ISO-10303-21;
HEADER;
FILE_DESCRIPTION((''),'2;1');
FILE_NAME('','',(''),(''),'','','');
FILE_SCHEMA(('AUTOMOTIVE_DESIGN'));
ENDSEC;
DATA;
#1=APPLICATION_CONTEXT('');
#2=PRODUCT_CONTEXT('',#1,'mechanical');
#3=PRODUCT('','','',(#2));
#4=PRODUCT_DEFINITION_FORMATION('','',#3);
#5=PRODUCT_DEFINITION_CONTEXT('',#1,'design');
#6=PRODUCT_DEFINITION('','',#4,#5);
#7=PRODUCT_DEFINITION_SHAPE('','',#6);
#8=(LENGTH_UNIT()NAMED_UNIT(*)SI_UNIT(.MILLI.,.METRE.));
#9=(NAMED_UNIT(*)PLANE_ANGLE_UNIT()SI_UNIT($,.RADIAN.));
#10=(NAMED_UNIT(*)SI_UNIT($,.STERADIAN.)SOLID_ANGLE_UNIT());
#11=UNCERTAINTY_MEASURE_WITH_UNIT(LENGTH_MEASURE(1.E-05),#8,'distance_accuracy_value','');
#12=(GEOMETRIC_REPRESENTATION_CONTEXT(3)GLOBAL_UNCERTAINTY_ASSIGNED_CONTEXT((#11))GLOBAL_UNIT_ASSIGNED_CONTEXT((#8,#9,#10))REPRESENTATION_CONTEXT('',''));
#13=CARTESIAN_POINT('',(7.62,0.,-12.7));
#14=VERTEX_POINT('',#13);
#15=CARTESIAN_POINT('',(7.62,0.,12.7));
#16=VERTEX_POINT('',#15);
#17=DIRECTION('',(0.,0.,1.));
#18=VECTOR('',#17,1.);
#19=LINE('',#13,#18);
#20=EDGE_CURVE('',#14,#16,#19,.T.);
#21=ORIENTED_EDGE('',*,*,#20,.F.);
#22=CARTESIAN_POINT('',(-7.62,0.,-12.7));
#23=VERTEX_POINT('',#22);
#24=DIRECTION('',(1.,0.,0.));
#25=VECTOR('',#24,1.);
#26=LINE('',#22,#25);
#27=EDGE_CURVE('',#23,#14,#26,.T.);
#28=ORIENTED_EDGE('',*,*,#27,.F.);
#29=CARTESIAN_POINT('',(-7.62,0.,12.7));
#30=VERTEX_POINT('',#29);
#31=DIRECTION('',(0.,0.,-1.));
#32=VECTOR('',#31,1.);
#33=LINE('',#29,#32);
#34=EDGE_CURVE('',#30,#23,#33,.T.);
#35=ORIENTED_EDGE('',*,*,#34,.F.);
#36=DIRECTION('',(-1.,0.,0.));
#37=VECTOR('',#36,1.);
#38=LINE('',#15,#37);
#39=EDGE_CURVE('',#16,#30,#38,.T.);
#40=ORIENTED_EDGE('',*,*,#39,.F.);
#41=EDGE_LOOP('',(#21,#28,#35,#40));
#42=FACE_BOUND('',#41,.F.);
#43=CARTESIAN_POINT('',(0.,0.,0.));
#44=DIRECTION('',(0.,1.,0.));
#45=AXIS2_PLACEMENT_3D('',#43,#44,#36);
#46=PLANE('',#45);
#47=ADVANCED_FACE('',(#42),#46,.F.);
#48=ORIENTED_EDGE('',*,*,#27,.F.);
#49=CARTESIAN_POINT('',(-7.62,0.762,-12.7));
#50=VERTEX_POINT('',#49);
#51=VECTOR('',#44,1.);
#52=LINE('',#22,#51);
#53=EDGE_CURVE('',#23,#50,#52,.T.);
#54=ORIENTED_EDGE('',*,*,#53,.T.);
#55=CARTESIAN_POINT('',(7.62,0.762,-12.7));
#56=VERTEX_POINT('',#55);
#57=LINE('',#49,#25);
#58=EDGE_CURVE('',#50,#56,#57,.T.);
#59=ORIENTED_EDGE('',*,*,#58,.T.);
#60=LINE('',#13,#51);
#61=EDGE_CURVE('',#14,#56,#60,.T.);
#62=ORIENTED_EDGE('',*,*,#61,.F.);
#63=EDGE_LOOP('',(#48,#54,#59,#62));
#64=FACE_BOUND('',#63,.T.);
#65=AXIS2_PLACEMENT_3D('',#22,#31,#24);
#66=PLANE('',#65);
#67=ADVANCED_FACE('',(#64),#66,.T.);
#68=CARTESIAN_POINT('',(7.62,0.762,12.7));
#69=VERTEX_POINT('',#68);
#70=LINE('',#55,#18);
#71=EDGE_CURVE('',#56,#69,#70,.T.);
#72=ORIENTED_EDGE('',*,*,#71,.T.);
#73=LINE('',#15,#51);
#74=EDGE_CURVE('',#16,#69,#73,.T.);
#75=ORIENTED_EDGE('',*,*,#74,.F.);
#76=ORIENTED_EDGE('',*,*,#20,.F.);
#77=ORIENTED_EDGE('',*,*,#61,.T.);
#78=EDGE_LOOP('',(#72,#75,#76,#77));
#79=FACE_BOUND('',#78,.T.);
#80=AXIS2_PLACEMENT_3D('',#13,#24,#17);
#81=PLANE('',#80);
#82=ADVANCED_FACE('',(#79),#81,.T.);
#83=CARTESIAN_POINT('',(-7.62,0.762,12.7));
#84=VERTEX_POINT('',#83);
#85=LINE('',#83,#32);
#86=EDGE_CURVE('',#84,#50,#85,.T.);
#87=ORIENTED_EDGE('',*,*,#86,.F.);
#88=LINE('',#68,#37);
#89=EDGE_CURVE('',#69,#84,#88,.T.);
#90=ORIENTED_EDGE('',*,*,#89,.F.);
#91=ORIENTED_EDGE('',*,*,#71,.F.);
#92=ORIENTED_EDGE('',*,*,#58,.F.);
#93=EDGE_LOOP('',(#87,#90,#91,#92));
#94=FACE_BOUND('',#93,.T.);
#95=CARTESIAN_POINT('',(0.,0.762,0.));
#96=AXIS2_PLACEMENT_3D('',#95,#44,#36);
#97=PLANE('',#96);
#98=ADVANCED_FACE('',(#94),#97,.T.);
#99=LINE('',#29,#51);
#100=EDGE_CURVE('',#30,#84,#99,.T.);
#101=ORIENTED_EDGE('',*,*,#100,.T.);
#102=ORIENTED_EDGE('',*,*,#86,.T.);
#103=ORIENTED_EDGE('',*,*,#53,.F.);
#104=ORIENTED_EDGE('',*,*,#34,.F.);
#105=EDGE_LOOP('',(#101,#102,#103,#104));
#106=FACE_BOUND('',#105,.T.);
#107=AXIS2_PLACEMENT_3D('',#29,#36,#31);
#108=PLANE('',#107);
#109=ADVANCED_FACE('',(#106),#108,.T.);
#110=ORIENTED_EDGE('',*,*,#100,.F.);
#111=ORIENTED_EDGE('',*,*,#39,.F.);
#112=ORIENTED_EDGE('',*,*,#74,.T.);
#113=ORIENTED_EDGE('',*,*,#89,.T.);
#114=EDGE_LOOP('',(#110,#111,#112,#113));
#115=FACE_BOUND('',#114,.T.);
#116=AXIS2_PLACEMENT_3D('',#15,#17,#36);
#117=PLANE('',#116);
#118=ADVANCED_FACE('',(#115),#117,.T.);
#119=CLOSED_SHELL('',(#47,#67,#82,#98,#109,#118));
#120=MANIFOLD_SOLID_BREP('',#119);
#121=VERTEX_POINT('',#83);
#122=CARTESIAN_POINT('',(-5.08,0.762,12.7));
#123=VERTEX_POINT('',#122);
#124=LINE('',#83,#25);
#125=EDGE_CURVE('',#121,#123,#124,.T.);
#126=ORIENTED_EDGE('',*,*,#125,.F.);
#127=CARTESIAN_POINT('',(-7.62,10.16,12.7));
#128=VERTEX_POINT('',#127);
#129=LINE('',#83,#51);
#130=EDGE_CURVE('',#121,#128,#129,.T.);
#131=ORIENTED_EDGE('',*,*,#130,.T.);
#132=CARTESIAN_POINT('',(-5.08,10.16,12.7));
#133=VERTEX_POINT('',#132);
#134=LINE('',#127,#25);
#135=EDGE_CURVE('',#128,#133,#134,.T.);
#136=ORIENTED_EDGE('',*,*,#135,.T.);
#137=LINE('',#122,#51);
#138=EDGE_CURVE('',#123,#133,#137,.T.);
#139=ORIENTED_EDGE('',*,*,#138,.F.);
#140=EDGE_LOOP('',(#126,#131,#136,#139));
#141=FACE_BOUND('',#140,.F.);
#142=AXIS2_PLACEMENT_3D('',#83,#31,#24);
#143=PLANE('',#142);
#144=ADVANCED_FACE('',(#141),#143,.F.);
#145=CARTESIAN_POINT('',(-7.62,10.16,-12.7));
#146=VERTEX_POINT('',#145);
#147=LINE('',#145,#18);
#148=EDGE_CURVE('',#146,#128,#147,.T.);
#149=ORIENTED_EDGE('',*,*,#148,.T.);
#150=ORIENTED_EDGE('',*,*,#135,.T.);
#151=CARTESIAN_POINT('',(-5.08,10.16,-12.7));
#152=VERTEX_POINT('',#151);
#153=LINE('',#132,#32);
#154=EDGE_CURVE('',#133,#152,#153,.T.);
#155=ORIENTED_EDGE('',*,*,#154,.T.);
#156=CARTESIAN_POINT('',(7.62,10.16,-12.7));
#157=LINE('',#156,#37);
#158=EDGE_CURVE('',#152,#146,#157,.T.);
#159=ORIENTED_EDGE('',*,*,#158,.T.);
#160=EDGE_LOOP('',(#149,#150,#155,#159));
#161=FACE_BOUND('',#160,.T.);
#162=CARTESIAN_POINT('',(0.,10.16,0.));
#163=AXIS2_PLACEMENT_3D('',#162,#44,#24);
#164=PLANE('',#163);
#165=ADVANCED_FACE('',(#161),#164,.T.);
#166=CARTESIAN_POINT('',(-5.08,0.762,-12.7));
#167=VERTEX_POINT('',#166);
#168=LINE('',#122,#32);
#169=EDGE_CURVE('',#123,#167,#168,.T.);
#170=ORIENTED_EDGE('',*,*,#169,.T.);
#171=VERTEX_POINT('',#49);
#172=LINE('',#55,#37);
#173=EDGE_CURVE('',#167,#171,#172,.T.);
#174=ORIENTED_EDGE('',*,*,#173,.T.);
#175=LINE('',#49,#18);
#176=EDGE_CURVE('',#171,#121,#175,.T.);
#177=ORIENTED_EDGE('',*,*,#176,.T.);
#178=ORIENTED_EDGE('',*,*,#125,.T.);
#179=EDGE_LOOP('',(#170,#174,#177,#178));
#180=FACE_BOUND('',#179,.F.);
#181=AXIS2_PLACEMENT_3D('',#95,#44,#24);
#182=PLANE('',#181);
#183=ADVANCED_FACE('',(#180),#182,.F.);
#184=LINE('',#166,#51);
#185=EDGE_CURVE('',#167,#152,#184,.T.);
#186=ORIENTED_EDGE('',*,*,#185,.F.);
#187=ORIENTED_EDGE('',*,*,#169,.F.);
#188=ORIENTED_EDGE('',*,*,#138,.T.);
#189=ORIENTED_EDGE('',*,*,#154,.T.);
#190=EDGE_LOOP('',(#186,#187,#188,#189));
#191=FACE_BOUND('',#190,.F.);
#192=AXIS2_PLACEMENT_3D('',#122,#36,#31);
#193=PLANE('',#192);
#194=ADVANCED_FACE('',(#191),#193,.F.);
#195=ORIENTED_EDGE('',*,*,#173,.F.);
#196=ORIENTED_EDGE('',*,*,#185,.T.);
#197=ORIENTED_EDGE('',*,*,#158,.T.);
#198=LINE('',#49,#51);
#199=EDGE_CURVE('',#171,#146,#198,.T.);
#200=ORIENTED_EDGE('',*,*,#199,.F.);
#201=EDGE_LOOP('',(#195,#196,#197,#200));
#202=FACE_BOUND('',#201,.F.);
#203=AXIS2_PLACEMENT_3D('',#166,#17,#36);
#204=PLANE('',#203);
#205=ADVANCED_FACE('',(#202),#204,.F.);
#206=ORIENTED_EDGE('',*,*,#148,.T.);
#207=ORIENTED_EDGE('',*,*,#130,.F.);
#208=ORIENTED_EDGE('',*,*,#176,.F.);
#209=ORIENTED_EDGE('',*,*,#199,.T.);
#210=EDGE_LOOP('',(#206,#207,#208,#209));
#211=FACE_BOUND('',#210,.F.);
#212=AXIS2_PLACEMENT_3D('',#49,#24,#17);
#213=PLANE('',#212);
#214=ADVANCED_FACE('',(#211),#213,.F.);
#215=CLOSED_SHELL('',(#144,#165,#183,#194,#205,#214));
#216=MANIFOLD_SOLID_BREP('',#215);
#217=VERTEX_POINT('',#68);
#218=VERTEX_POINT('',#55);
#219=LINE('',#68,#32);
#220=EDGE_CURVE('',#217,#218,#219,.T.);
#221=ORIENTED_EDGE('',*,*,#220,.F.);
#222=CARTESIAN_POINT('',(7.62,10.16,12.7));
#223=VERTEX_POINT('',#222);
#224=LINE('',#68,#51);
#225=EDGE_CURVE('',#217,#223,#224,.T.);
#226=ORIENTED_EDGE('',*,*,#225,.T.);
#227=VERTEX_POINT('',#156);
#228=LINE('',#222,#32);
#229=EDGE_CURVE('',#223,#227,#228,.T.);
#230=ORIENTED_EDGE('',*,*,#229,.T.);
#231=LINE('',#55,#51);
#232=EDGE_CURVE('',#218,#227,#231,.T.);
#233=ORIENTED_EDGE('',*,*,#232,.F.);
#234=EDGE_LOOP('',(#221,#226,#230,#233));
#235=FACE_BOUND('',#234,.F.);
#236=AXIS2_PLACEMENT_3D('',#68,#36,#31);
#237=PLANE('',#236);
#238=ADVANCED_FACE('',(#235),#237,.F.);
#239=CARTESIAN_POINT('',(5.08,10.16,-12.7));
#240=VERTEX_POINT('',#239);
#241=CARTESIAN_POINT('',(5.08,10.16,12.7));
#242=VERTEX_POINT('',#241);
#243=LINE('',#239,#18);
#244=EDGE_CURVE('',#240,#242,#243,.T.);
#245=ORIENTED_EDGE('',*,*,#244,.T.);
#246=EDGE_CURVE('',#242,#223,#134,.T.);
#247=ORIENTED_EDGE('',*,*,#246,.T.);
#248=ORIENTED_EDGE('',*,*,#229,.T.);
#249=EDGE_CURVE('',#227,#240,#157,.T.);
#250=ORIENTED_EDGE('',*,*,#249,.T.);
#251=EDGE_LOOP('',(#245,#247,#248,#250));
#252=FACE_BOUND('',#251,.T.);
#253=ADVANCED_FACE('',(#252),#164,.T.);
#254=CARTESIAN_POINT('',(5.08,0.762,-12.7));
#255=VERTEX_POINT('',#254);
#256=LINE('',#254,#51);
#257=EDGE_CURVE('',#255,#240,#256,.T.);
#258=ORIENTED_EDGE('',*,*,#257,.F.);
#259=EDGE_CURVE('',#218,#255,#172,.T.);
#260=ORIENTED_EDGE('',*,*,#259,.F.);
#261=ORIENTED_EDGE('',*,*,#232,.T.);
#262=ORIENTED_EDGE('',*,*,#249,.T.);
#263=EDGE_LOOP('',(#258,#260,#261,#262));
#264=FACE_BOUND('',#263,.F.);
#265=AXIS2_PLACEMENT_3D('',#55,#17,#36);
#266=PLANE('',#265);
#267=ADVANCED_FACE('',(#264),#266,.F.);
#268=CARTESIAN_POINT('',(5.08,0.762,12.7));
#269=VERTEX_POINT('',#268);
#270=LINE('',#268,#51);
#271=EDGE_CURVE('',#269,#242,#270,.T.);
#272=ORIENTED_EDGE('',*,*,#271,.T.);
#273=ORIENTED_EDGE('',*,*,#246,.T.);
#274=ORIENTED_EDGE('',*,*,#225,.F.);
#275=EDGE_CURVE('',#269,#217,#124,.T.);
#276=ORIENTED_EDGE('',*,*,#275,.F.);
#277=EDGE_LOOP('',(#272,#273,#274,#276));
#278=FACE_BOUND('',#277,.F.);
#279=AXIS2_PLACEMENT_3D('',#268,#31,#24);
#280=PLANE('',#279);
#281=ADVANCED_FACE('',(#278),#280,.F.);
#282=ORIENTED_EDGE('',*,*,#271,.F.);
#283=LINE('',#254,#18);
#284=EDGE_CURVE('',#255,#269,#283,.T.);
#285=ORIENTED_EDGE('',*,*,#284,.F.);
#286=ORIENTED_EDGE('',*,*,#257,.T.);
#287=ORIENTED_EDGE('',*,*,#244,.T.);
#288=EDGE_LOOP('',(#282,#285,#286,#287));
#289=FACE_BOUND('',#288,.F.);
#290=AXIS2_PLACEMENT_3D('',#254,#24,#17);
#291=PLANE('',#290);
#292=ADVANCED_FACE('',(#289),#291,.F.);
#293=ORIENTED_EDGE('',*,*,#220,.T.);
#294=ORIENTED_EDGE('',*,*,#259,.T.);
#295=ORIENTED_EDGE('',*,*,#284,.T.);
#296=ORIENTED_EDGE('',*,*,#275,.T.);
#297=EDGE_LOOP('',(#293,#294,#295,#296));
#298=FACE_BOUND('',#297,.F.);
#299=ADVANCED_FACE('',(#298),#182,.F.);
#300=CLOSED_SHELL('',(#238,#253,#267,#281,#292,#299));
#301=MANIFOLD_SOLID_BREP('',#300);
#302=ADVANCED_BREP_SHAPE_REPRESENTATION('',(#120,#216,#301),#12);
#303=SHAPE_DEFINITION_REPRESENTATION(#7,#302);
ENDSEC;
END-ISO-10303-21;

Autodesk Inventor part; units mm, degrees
ref_plane "YZ Plane" through (0, 0, 0) normal (1, 0, 0) x (0, 1, 0)
ref_plane "XZ Plane" through (0, 0, 0) normal (0, 1, 0) x (-1, 0, 0)
ref_plane "XY Plane" through (0, 0, 0) normal (0, 0, 1) x (1, 0, 0)
sketch "Sketch1" plane through (0, 0, 0) normal (0, 1, 0) x (-1, 0, 0)
  line L0 (-7.62, 12.7) -> (7.62, 12.7)
  line L1 (7.62, 12.7) -> (7.62, -12.7)
  line L2 (7.62, -12.7) -> (-7.62, -12.7)
  line L3 (-7.62, -12.7) -> (-7.62, 12.7)
  line L4 (-7.62, 12.7) -> (7.62, -12.7) construction
  line L5 (7.62, 12.7) -> (-7.62, -12.7) construction
  point P0 (0, 0)
  dimension "d0" = 15.24
  dimension "d1" = 25.4
extrude "Extrusion1" add sketch "Sketch1" along normal blind 0.762
sketch "Sketch3" plane through (0, 0.762, 0) normal (0, 1, 0) x (1, 0, 0)
  line L0 (7.62, 12.7) -> (-7.62, 12.7) projected
  line L1 (-7.62, 12.7) -> (-7.62, -12.7) projected
  line L2 (-7.62, -12.7) -> (7.62, -12.7) projected
  line L3 (7.62, -12.7) -> (7.62, 12.7) projected
  line L4 (-7.62, -12.7) -> (-5.08, -12.7)
  line L5 (-5.08, -12.7) -> (-5.08, 12.7)
  line L6 (-5.08, 12.7) -> (-7.62, 12.7)
  line L7 (-7.62, 12.7) -> (-7.62, -12.7)
  line L8 (7.62, 12.7) -> (5.08, 12.7)
  line L9 (5.08, 12.7) -> (5.08, -12.7)
  line L10 (5.08, -12.7) -> (7.62, -12.7)
  line L11 (7.62, -12.7) -> (7.62, 12.7)
  point P0 (0, 0)
  dimension "d7" = 2.54
  dimension "d8" = 2.54
extrude "Extrusion3" add sketch "Sketch3" along normal blind 9.398 separate body contours L3 L2 L9 L0 | L5 L2 L1 L0
properties part number "voltageconverter"
